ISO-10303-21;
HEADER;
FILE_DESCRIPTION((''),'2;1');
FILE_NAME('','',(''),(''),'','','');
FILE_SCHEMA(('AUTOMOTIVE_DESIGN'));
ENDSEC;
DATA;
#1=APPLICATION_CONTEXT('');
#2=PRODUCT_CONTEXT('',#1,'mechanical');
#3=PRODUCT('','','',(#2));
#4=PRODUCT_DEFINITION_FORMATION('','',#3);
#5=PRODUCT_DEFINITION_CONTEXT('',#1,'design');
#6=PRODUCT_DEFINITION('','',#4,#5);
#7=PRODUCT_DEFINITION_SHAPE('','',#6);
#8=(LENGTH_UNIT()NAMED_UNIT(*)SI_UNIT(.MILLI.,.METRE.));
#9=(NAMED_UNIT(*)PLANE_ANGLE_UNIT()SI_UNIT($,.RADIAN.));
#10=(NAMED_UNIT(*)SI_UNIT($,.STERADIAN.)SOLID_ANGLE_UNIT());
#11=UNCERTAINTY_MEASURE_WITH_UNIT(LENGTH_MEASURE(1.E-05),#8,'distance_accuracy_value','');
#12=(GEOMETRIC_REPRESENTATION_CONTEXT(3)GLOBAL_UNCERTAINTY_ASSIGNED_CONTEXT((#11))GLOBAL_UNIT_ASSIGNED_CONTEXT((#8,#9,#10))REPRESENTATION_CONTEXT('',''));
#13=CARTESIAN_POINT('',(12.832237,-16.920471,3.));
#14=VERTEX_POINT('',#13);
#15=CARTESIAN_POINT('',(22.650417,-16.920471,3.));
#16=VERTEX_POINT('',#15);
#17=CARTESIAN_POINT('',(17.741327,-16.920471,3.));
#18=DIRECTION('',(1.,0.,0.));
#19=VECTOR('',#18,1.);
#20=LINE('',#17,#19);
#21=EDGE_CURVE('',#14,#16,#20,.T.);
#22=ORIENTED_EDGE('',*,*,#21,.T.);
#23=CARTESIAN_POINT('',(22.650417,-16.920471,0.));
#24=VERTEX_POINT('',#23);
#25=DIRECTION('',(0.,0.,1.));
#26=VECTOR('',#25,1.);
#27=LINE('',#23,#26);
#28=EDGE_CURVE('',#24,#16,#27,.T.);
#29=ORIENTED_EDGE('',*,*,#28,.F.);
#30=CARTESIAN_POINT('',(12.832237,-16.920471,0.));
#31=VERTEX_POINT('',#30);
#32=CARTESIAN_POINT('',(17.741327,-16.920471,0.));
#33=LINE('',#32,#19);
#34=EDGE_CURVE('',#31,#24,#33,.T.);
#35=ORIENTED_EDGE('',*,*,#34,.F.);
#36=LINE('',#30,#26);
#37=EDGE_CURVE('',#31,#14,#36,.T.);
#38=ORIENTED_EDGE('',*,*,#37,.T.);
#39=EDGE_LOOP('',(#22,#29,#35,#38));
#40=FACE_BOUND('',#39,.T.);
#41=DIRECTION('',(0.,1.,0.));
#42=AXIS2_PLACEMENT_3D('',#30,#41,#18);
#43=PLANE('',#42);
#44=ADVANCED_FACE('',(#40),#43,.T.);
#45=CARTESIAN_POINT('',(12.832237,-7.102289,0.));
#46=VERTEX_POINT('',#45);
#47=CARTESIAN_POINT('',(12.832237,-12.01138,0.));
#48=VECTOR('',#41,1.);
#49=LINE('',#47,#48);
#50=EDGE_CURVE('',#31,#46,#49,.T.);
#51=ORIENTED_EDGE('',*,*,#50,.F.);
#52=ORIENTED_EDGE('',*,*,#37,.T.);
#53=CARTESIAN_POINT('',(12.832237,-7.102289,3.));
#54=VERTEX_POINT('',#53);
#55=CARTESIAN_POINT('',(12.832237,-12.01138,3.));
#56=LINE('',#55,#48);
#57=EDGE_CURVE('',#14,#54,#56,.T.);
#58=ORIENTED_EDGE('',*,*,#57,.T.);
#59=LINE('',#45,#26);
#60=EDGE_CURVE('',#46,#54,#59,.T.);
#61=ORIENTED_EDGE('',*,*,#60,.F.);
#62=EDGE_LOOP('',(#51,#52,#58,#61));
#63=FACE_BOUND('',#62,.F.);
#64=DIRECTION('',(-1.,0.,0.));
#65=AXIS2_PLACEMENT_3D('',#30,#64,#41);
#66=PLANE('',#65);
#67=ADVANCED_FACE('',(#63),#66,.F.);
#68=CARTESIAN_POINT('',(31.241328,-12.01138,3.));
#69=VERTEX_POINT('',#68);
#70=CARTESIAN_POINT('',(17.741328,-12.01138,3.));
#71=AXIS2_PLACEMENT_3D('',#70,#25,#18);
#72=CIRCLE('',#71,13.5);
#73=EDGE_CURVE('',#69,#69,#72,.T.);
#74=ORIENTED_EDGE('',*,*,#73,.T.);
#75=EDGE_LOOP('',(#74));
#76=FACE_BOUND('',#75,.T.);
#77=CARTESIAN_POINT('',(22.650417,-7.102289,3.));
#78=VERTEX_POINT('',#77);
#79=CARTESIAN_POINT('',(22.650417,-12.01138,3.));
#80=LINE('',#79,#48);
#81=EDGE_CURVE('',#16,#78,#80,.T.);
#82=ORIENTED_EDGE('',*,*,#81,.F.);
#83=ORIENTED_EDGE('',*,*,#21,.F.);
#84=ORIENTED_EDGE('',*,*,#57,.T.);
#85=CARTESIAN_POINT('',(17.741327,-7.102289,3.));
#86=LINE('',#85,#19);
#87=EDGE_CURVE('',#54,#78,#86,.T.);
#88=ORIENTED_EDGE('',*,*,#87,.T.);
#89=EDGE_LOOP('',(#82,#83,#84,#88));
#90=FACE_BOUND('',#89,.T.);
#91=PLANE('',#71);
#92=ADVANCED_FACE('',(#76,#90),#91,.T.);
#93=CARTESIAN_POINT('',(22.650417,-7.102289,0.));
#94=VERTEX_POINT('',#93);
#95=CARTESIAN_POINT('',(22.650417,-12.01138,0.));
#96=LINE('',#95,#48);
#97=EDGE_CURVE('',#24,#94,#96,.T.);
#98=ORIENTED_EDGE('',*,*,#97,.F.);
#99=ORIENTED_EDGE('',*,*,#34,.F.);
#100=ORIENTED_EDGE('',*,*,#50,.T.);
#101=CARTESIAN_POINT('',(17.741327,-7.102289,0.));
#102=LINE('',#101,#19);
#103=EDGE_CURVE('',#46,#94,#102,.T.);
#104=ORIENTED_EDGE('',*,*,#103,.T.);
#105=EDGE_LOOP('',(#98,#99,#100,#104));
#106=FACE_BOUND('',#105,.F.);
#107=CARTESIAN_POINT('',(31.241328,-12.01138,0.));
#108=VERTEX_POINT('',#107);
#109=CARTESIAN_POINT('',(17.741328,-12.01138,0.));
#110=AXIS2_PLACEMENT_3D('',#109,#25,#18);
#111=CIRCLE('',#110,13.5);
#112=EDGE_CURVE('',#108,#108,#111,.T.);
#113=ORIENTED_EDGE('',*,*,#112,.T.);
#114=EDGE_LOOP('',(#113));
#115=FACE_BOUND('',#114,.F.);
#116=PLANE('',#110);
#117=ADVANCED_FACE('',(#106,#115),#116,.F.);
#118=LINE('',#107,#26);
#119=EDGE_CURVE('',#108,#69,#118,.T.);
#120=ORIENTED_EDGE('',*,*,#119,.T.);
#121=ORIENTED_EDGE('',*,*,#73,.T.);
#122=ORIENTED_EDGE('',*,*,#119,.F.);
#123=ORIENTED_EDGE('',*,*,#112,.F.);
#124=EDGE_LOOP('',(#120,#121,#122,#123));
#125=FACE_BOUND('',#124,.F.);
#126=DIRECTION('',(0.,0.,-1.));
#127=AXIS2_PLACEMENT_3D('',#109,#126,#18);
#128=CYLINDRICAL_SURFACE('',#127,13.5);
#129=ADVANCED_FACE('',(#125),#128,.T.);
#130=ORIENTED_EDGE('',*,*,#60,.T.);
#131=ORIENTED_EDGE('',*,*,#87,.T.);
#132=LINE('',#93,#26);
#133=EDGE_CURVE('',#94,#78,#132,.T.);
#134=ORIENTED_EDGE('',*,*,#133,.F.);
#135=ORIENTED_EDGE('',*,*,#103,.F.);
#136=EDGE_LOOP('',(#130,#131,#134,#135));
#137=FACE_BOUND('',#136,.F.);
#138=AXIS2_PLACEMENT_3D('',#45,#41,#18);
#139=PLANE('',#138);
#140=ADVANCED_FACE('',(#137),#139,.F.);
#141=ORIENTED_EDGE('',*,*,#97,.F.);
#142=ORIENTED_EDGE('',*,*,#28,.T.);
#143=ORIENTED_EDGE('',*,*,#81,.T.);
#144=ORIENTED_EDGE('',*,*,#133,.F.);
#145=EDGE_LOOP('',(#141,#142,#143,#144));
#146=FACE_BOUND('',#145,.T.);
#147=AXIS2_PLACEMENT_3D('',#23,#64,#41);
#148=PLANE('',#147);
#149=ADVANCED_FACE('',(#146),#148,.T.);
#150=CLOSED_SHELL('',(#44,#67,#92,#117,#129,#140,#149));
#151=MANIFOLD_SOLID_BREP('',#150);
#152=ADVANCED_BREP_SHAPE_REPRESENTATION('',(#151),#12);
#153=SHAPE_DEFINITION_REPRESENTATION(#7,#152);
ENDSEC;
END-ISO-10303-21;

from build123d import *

# Parameters (mm, degrees)
F0_R     = 13.5
F0_W     = 9.818181
F0_H     = 9.818182
F1_DEPTH = 3


with BuildPart() as f1:
    # F0 (on Top) → F1 (new body)
    with BuildSketch(Plane.XY):
        with Locations((17.741328, -12.01138)):
            Circle(F0_R)
        with Locations((17.741327, -12.01138)):
            Rectangle(F0_W, F0_H, mode=Mode.SUBTRACT)
    extrude(amount=F1_DEPTH)


solid = f1.part
